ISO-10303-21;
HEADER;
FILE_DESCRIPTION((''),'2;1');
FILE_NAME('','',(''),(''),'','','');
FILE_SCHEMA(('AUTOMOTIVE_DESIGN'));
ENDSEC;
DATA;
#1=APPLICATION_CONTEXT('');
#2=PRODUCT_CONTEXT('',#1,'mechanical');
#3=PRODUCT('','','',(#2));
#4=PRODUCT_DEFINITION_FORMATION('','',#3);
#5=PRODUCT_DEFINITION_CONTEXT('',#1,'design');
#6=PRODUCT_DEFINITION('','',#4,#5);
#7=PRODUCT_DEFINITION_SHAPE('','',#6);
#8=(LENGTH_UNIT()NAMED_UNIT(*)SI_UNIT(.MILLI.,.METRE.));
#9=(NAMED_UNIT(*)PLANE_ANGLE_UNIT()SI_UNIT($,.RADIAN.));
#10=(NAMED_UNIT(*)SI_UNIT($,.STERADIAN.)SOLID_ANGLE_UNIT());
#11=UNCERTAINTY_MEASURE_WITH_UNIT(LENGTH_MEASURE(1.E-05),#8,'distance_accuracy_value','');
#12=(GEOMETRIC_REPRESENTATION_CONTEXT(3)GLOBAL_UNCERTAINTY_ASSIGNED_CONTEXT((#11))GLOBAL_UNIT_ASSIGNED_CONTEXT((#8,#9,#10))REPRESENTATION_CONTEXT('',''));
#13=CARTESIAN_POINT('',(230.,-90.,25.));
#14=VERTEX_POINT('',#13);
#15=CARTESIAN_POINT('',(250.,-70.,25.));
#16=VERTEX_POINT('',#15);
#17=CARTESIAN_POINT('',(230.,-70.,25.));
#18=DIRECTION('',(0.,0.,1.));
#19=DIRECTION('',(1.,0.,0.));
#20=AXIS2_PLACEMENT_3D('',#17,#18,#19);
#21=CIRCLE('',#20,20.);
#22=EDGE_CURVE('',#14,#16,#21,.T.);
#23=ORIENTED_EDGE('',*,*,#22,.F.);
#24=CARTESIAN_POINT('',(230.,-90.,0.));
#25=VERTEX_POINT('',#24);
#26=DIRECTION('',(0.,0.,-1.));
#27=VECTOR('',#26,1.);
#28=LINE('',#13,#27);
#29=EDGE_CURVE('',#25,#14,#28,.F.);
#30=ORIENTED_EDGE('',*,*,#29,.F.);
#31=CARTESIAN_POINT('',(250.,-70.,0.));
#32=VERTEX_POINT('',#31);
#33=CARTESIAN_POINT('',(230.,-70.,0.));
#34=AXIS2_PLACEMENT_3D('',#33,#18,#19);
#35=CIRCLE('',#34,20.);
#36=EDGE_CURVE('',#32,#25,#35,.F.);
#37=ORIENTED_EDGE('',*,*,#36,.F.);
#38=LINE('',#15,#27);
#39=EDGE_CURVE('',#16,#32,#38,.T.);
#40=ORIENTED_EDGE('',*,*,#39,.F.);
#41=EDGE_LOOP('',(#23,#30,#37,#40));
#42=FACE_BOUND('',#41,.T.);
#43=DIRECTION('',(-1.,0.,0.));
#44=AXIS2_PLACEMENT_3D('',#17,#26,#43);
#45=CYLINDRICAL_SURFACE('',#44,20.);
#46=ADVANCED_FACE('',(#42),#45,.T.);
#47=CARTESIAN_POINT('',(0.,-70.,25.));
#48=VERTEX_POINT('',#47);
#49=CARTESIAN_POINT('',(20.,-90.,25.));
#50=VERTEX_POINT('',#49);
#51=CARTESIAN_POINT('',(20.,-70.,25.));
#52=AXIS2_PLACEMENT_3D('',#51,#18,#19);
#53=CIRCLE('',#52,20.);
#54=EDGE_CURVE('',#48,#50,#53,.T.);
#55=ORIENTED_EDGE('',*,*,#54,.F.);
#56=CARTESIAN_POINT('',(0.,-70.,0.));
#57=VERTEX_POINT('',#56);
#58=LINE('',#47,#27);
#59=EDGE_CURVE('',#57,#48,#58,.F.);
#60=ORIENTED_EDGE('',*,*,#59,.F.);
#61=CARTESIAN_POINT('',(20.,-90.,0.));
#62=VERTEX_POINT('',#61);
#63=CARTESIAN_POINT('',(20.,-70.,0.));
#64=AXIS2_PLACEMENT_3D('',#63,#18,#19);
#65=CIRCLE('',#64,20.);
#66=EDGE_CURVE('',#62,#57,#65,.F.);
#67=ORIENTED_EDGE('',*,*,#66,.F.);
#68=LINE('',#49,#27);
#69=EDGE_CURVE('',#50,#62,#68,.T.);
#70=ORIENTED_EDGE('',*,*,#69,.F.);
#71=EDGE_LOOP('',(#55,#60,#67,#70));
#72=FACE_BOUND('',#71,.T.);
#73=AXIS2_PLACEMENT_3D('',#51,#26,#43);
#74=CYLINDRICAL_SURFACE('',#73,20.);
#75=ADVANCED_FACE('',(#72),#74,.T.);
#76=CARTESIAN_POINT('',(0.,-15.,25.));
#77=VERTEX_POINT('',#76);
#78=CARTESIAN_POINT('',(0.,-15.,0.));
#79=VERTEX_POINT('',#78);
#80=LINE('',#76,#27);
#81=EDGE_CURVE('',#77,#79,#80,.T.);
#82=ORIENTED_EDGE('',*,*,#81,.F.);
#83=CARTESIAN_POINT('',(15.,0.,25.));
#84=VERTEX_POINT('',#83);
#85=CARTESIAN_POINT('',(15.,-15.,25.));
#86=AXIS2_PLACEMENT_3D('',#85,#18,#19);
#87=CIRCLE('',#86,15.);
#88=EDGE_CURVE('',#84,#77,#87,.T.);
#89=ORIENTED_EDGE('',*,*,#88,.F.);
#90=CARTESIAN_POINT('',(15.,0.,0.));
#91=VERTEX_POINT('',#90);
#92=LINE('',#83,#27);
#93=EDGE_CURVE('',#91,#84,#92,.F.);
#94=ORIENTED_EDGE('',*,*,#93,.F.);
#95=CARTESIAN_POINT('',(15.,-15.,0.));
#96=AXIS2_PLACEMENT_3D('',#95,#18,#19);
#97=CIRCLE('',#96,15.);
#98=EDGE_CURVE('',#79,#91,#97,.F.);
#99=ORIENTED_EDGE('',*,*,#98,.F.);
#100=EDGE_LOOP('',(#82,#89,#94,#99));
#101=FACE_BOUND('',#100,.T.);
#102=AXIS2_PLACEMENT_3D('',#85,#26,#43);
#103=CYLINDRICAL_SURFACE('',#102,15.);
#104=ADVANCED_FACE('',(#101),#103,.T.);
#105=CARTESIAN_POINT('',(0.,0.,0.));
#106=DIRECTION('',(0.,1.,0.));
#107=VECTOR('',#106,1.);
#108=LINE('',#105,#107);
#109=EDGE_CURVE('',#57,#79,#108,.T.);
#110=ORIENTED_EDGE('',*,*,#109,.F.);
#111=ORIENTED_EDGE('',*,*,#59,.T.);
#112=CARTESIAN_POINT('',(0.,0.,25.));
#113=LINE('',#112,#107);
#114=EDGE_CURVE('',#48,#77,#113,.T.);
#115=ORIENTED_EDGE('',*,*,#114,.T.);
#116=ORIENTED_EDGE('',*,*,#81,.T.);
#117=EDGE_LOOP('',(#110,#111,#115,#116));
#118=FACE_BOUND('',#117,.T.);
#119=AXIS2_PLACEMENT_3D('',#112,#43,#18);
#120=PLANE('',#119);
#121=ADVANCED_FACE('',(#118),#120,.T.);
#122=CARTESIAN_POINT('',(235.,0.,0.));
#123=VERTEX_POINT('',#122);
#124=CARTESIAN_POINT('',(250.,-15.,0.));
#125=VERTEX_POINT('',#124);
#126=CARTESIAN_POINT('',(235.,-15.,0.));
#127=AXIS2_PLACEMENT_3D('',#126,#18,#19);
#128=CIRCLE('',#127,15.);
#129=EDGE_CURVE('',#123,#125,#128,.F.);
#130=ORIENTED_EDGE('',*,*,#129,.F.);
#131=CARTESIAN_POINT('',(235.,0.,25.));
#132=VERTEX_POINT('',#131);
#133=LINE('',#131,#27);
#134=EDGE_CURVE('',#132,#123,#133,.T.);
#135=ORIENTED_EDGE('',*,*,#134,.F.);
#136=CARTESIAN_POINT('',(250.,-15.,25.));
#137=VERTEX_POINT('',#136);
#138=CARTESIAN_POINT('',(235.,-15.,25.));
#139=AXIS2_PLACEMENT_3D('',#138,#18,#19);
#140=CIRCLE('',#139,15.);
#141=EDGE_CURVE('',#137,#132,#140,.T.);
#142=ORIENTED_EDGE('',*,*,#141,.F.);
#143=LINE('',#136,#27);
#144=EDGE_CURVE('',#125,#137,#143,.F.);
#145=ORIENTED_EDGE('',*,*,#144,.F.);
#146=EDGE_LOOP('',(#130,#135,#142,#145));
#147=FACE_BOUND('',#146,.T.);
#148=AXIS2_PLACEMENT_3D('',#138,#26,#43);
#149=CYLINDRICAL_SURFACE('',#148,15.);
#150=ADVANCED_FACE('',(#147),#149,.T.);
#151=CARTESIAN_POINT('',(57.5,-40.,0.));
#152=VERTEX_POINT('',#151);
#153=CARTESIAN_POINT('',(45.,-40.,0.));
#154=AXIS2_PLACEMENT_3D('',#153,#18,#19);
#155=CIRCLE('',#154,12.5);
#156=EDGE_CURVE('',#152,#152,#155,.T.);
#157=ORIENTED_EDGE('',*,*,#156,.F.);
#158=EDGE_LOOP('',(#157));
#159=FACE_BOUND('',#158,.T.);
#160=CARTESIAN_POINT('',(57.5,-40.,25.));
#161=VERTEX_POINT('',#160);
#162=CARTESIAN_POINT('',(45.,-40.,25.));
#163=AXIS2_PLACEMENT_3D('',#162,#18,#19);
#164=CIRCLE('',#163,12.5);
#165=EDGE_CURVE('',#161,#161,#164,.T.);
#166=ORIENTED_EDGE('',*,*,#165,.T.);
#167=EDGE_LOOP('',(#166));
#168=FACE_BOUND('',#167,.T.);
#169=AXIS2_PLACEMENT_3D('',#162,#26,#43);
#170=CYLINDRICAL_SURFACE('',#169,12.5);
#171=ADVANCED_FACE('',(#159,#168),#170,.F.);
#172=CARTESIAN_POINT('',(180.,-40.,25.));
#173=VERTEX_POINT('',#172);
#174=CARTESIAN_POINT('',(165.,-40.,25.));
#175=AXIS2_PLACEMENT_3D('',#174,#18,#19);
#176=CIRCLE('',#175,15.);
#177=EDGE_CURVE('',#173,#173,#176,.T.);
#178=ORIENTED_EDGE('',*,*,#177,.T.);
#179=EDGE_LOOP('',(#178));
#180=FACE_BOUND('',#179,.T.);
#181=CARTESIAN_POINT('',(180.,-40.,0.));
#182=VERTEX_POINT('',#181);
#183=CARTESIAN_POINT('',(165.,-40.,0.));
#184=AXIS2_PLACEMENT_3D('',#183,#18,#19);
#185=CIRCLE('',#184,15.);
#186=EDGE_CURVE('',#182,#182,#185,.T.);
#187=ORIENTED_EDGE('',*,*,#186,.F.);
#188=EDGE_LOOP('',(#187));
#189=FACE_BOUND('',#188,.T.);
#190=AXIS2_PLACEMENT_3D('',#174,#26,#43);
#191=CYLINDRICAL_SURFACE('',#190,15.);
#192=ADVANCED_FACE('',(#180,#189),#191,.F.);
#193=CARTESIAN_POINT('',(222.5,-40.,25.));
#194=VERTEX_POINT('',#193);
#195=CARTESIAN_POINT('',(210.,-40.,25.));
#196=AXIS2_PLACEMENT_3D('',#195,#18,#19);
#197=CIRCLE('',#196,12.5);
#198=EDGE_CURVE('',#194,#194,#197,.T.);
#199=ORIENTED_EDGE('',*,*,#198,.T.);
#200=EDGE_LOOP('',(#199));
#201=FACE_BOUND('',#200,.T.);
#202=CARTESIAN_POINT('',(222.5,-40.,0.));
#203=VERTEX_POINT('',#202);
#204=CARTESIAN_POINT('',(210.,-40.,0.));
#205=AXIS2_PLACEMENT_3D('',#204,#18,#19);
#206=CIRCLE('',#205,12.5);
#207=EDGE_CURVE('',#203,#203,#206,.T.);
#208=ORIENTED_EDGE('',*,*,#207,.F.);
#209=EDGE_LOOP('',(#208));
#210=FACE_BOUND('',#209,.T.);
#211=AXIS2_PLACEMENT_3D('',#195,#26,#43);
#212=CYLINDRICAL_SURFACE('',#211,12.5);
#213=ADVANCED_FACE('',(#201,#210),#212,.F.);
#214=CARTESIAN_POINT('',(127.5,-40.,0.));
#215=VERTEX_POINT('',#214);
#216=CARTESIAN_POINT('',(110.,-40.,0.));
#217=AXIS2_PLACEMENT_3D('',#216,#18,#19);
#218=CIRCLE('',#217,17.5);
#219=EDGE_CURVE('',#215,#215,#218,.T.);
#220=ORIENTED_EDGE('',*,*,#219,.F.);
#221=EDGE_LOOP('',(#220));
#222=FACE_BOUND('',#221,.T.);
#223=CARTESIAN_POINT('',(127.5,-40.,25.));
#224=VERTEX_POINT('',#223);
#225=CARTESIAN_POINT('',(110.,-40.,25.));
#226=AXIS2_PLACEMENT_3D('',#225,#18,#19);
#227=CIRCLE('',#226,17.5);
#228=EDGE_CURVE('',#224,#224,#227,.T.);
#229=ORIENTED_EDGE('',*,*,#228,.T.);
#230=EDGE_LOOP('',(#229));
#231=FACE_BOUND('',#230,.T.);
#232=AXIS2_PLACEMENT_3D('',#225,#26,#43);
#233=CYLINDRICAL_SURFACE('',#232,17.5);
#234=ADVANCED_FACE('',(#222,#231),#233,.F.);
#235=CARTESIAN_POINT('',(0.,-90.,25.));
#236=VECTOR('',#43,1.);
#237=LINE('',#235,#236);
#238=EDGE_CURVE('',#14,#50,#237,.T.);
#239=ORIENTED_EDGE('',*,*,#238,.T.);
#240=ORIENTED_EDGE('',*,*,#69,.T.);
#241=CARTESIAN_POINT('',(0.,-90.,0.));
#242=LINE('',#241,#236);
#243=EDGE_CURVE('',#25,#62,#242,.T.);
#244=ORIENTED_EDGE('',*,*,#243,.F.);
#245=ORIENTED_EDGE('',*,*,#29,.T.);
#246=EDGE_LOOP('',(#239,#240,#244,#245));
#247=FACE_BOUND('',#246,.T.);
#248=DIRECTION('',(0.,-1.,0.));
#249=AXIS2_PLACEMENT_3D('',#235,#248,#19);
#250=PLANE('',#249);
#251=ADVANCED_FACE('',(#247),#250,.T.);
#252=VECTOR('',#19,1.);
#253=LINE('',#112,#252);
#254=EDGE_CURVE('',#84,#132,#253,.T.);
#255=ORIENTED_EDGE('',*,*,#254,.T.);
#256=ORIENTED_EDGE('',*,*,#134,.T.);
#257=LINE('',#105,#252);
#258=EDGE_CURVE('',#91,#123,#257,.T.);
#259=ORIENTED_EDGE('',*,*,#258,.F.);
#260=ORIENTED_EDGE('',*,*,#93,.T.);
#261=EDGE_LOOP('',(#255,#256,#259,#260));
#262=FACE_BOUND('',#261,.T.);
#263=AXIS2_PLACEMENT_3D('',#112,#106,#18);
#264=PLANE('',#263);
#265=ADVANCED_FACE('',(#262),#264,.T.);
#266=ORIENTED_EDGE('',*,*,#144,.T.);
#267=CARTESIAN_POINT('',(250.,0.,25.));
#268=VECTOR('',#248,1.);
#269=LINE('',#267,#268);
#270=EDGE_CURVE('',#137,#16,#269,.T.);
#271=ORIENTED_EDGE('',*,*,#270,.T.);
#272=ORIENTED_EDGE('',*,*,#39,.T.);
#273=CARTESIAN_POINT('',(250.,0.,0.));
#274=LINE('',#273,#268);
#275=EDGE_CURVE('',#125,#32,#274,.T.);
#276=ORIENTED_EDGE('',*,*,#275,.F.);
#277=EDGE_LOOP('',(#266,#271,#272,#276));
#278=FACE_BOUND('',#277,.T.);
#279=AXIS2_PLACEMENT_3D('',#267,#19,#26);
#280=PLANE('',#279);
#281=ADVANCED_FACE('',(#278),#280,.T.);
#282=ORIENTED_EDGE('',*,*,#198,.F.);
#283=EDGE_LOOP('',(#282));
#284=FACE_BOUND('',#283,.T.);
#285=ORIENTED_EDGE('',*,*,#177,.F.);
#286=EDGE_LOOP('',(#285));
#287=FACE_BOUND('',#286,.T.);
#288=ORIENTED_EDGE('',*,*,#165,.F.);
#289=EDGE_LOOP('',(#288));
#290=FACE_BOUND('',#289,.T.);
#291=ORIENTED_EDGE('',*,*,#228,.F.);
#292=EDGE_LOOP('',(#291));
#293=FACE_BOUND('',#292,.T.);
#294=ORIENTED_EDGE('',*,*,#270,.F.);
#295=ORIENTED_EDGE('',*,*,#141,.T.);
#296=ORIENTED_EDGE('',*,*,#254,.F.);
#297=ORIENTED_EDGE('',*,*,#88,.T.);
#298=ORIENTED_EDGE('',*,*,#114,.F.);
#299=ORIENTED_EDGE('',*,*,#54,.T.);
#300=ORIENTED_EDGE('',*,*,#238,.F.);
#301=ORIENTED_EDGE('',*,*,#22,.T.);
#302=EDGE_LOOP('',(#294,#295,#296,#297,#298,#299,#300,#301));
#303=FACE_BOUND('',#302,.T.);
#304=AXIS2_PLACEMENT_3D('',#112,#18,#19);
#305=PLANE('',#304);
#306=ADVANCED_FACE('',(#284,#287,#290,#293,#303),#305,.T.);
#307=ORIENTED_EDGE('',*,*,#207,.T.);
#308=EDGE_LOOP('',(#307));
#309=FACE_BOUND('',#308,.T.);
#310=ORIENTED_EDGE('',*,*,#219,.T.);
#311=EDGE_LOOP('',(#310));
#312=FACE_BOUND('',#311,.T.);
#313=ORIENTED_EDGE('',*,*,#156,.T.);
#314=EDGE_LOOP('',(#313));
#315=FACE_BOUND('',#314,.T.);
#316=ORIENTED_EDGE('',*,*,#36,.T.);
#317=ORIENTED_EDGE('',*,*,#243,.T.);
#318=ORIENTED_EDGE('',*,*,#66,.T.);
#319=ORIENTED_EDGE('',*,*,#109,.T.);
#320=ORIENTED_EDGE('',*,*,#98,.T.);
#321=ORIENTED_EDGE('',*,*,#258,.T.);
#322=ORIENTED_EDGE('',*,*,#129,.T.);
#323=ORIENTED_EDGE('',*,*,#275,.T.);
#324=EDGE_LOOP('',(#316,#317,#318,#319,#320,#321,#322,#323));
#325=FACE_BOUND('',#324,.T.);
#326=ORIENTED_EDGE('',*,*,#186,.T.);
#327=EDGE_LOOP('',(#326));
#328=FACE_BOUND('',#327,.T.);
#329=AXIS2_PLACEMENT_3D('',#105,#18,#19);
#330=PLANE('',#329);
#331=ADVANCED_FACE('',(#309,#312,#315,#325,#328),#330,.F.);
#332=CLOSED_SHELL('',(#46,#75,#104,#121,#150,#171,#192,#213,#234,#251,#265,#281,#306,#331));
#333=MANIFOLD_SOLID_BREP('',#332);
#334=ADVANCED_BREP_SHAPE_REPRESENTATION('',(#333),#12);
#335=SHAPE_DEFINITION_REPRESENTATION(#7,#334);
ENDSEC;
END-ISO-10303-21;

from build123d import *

# Parameters (mm, degrees)
CROQUIS1_W              = 250
CROQUIS1_H              = 90
CROQUIS1_R              = 12.5
CROQUIS1_R_2            = 17.5
CROQUIS1_R_3            = 15
SALIENTE_EXTRUIR1_DEPTH = 25
REDONDEO1_R             = 15
REDONDEO2_R             = 20


with BuildPart() as part:
    # Croquis1 → Saliente-Extruir1 (new body)
    with BuildSketch(Plane.XY):
        with Locations((125, -45)):
            Rectangle(CROQUIS1_W, CROQUIS1_H)
        with Locations((45, -40)):
            Circle(CROQUIS1_R, mode=Mode.SUBTRACT)
        with Locations((110, -40)):
            Circle(CROQUIS1_R_2, mode=Mode.SUBTRACT)
        with Locations((165, -40)):
            Circle(CROQUIS1_R_3, mode=Mode.SUBTRACT)
        with Locations((210, -40)):
            Circle(CROQUIS1_R, mode=Mode.SUBTRACT)
    extrude(amount=SALIENTE_EXTRUIR1_DEPTH)

    # Redondeo1
    redondeo1_edges = [part.edges().sort_by_distance(p)[0] for p in [
        (0, 0, 12.5),
        (250, 0, 12.5),
    ]]
    fillet(redondeo1_edges, radius=REDONDEO1_R)

    # Redondeo2
    redondeo2_edges = [part.edges().sort_by_distance(p)[0] for p in [
        (250, -90, 12.5),
        (0, -90, 12.5),
    ]]
    fillet(redondeo2_edges, radius=REDONDEO2_R)


solid = part.part
